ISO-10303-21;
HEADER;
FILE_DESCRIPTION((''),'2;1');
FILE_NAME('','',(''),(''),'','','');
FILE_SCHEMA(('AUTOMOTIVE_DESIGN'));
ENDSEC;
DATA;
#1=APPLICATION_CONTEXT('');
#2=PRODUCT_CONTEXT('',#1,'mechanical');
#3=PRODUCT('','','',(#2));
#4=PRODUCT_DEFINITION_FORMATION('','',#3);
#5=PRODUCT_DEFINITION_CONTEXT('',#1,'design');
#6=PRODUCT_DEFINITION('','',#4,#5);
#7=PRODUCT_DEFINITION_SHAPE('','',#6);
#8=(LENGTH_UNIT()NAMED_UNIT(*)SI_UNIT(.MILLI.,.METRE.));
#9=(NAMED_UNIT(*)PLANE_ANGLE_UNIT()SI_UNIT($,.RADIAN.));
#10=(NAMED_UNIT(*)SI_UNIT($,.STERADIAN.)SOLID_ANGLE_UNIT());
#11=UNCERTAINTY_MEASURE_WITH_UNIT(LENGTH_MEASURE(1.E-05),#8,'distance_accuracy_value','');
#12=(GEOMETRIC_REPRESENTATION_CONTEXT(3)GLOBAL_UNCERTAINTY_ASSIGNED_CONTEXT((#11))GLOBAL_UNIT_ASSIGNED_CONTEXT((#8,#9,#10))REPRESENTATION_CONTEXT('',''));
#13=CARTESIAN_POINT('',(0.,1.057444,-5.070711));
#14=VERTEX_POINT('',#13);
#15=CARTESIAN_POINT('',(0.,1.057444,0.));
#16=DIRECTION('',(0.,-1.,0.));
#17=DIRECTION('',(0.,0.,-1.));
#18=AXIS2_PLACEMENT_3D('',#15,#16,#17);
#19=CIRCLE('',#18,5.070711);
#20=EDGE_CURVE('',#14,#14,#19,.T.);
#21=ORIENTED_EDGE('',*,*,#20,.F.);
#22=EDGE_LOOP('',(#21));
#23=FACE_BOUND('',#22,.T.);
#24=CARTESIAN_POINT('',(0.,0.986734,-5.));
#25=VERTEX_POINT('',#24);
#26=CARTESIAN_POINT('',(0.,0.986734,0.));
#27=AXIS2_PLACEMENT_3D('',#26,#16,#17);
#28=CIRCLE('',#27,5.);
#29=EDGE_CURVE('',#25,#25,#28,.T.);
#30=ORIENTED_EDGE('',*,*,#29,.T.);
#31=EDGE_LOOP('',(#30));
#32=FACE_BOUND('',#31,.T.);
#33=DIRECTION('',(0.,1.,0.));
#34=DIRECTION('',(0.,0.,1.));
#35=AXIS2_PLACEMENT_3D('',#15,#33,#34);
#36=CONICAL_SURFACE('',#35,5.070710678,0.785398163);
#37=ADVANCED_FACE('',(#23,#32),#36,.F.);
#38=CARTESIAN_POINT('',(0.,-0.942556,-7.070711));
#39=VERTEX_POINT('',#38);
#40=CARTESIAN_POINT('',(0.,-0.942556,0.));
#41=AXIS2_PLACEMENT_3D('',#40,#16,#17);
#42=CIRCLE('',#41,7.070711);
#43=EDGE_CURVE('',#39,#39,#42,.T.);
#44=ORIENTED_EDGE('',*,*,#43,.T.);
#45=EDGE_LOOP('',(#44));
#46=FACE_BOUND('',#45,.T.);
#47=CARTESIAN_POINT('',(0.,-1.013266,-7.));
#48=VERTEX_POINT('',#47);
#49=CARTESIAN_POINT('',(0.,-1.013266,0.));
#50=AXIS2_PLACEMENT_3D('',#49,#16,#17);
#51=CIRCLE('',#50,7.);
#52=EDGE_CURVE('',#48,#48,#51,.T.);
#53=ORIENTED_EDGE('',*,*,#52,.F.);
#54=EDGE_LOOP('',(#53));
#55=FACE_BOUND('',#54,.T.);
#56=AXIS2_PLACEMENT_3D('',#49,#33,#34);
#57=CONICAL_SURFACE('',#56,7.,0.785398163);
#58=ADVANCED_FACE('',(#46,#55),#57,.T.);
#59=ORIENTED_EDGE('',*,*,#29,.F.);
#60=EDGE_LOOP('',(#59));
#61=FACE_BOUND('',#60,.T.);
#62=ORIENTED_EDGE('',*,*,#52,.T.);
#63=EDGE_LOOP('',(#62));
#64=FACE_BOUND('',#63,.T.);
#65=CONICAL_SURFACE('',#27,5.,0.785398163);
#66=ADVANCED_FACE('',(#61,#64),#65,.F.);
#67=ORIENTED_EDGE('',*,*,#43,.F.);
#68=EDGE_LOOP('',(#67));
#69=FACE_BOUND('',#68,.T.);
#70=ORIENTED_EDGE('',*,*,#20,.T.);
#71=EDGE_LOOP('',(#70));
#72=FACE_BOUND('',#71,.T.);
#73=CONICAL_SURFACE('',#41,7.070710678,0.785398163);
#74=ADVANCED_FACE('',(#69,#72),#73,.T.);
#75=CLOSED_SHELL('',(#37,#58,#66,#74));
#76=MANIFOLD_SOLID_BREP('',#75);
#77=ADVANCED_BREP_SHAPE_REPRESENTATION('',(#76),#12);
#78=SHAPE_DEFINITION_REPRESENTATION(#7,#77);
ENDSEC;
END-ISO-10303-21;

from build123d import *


with BuildPart() as part:
    # 草图1 → 旋转1 (revolve)
    with BuildSketch(Plane(origin=(0, 0, 0), x_dir=(0, 0, -1), z_dir=(1, 0, 0))):
        Polygon((5, 0.986733793), (7, -1.013266207), (7.070710678, -0.942555529), (5.070710678, 1.057444471), align=None)
    revolve(axis=Axis((0, 0, 0), (0, 1, 0)))


solid = part.part
